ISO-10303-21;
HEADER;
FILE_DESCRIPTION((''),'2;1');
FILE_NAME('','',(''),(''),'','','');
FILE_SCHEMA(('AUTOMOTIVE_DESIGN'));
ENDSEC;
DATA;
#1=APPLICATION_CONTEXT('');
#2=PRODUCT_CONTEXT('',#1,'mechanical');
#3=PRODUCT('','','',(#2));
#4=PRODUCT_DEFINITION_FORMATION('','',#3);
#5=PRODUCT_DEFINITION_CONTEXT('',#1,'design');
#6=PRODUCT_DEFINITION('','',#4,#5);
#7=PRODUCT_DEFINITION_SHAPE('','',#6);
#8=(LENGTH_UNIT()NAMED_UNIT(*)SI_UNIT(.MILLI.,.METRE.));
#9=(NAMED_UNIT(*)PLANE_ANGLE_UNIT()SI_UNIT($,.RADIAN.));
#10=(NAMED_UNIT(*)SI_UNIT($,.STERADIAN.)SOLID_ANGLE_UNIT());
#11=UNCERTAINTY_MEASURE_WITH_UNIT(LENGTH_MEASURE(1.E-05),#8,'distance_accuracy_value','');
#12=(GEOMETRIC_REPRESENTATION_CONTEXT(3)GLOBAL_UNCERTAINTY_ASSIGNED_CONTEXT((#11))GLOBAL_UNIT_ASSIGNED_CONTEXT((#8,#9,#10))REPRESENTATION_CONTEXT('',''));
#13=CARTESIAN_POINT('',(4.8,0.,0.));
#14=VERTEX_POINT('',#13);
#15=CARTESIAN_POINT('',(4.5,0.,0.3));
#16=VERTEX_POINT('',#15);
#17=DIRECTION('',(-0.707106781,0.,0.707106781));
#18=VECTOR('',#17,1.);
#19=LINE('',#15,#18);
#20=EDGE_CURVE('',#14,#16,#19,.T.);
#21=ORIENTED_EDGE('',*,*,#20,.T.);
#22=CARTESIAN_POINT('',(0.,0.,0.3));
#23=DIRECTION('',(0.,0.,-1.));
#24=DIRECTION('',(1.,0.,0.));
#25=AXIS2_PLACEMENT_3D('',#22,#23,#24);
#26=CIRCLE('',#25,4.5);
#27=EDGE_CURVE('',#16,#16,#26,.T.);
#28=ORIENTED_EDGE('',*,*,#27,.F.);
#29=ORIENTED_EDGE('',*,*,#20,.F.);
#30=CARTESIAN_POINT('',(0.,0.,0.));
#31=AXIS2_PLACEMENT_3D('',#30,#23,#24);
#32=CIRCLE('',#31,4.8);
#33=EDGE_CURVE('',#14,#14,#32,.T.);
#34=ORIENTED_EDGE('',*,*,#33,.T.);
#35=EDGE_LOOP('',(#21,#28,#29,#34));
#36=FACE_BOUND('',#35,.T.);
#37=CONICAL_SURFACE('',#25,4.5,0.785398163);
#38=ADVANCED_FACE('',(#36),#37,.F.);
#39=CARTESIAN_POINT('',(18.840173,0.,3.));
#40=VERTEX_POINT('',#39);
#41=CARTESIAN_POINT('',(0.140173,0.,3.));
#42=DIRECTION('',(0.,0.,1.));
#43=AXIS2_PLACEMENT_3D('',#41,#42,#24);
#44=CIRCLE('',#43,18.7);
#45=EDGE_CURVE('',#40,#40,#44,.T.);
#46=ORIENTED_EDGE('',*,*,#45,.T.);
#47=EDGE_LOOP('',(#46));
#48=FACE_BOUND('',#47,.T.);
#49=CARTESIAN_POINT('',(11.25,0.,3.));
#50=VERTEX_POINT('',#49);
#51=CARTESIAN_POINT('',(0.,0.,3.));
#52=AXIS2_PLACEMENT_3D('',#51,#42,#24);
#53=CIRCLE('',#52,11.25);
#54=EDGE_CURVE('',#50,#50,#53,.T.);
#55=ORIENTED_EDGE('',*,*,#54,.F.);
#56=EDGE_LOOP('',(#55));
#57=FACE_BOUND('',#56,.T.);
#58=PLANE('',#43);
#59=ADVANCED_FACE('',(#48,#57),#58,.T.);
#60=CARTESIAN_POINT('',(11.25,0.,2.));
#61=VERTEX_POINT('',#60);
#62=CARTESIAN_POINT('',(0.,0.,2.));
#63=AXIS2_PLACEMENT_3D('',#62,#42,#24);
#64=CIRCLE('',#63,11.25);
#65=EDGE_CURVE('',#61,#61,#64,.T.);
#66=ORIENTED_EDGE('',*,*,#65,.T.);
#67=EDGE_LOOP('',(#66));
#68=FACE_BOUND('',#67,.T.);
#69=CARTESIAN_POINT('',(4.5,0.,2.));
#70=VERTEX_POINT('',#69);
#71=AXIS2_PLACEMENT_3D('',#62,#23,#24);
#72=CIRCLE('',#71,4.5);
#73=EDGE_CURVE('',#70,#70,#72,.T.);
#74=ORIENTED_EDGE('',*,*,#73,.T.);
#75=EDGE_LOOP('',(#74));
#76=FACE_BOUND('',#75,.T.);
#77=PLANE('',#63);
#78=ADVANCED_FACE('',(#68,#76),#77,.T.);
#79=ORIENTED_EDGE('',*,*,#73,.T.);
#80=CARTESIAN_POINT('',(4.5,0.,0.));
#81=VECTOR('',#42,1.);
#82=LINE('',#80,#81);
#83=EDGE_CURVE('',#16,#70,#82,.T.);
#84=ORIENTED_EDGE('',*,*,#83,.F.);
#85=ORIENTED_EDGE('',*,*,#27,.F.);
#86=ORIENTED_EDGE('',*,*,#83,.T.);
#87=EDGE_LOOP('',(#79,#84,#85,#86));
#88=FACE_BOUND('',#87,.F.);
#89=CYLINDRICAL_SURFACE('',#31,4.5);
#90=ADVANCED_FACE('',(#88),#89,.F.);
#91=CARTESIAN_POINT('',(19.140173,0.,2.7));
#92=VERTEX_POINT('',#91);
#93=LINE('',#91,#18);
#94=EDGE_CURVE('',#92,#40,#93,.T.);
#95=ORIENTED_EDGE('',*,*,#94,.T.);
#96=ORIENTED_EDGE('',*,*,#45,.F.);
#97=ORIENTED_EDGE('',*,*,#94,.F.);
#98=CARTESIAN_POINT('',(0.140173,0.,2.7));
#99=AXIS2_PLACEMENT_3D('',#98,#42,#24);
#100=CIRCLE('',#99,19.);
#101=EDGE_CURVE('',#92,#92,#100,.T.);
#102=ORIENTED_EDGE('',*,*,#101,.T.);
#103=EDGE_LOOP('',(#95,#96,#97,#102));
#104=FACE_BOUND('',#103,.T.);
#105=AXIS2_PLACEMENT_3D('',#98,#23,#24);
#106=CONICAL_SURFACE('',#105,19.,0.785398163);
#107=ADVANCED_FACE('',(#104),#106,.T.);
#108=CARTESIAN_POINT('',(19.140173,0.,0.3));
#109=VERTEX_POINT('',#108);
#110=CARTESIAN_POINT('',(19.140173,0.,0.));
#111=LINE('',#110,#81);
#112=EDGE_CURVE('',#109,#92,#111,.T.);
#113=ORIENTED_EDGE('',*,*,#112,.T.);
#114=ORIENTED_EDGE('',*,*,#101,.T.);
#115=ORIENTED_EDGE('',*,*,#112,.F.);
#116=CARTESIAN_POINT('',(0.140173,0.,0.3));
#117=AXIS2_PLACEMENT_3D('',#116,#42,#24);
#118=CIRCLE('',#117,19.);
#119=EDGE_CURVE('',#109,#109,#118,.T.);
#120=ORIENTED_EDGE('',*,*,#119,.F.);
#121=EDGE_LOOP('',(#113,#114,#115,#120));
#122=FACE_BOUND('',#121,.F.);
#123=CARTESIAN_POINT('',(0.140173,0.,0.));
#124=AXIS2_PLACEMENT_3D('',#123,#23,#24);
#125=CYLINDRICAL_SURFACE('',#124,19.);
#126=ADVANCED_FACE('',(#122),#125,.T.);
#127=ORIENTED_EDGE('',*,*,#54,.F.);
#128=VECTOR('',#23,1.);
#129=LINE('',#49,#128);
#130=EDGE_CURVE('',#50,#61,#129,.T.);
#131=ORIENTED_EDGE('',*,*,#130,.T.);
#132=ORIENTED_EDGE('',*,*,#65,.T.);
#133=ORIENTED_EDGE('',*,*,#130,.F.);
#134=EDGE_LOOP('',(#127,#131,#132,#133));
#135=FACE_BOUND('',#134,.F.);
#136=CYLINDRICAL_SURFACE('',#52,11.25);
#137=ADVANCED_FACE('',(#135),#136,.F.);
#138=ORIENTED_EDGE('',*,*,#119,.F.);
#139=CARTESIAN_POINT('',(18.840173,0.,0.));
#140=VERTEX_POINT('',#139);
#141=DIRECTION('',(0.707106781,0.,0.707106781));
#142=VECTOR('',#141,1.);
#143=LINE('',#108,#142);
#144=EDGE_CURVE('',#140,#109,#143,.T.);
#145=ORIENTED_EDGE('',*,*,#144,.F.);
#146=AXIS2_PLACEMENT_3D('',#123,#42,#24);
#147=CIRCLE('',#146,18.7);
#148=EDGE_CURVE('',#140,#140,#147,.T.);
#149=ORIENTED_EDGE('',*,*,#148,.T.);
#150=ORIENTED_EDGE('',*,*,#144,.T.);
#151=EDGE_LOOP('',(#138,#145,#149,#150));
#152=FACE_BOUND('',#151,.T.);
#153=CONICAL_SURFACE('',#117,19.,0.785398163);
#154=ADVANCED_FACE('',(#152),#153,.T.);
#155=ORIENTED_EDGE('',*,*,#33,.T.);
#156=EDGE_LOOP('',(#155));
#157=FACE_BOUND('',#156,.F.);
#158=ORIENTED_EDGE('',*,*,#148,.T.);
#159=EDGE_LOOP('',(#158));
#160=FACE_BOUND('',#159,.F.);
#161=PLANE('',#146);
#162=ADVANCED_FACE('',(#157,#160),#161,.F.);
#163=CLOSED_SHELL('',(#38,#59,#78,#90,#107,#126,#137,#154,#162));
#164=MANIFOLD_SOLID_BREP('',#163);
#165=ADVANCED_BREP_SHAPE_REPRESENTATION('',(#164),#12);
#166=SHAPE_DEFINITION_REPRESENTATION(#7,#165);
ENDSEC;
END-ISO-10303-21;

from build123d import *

# Parameters (mm, degrees)
SKETCH043_R     = 19
PAD014_DEPTH    = 3
SKETCH044_R     = 4.5
POCKET030_DEPTH = 3.001
CHAMFER014_SIZE = 0.3
CHAMFER015_SIZE = 0.3
SKETCH057_R     = 11.25
POCKET037_DEPTH = 1


with BuildPart() as part:
    # Sketch043 → Pad014 (new body)
    with BuildSketch(Plane.XY):
        with Locations((0.140173, 0)):
            Circle(SKETCH043_R)
    extrude(amount=PAD014_DEPTH)

    # Sketch044 (on Face2 of Pad014) → Pocket030 (cut, through all)
    with BuildSketch(Plane(origin=(0, 0, 0), x_dir=(1, 0, 0), z_dir=(0, 0, -1))):
        Circle(SKETCH044_R)
    extrude(amount=-POCKET030_DEPTH, mode=Mode.SUBTRACT)

    # Chamfer014
    chamfer014_edges = [part.edges().sort_by_distance(p)[0] for p in [
        (-4.5, 0, 0),
        (-4.5, 0, 3),
    ]]
    chamfer(chamfer014_edges, length=CHAMFER014_SIZE)

    # Chamfer015
    chamfer015_edges = [part.edges().sort_by_distance(p)[0] for p in [
        (-18.859827, 0, 0),
        (-18.859827, 0, 3),
    ]]
    chamfer(chamfer015_edges, length=CHAMFER015_SIZE)

    # Sketch057 (on Face8 of Chamfer015) → Pocket037 (cut)
    with BuildSketch(Plane.XY.offset(3)):
        Circle(SKETCH057_R)
    extrude(amount=-POCKET037_DEPTH, mode=Mode.SUBTRACT)


solid = part.part
